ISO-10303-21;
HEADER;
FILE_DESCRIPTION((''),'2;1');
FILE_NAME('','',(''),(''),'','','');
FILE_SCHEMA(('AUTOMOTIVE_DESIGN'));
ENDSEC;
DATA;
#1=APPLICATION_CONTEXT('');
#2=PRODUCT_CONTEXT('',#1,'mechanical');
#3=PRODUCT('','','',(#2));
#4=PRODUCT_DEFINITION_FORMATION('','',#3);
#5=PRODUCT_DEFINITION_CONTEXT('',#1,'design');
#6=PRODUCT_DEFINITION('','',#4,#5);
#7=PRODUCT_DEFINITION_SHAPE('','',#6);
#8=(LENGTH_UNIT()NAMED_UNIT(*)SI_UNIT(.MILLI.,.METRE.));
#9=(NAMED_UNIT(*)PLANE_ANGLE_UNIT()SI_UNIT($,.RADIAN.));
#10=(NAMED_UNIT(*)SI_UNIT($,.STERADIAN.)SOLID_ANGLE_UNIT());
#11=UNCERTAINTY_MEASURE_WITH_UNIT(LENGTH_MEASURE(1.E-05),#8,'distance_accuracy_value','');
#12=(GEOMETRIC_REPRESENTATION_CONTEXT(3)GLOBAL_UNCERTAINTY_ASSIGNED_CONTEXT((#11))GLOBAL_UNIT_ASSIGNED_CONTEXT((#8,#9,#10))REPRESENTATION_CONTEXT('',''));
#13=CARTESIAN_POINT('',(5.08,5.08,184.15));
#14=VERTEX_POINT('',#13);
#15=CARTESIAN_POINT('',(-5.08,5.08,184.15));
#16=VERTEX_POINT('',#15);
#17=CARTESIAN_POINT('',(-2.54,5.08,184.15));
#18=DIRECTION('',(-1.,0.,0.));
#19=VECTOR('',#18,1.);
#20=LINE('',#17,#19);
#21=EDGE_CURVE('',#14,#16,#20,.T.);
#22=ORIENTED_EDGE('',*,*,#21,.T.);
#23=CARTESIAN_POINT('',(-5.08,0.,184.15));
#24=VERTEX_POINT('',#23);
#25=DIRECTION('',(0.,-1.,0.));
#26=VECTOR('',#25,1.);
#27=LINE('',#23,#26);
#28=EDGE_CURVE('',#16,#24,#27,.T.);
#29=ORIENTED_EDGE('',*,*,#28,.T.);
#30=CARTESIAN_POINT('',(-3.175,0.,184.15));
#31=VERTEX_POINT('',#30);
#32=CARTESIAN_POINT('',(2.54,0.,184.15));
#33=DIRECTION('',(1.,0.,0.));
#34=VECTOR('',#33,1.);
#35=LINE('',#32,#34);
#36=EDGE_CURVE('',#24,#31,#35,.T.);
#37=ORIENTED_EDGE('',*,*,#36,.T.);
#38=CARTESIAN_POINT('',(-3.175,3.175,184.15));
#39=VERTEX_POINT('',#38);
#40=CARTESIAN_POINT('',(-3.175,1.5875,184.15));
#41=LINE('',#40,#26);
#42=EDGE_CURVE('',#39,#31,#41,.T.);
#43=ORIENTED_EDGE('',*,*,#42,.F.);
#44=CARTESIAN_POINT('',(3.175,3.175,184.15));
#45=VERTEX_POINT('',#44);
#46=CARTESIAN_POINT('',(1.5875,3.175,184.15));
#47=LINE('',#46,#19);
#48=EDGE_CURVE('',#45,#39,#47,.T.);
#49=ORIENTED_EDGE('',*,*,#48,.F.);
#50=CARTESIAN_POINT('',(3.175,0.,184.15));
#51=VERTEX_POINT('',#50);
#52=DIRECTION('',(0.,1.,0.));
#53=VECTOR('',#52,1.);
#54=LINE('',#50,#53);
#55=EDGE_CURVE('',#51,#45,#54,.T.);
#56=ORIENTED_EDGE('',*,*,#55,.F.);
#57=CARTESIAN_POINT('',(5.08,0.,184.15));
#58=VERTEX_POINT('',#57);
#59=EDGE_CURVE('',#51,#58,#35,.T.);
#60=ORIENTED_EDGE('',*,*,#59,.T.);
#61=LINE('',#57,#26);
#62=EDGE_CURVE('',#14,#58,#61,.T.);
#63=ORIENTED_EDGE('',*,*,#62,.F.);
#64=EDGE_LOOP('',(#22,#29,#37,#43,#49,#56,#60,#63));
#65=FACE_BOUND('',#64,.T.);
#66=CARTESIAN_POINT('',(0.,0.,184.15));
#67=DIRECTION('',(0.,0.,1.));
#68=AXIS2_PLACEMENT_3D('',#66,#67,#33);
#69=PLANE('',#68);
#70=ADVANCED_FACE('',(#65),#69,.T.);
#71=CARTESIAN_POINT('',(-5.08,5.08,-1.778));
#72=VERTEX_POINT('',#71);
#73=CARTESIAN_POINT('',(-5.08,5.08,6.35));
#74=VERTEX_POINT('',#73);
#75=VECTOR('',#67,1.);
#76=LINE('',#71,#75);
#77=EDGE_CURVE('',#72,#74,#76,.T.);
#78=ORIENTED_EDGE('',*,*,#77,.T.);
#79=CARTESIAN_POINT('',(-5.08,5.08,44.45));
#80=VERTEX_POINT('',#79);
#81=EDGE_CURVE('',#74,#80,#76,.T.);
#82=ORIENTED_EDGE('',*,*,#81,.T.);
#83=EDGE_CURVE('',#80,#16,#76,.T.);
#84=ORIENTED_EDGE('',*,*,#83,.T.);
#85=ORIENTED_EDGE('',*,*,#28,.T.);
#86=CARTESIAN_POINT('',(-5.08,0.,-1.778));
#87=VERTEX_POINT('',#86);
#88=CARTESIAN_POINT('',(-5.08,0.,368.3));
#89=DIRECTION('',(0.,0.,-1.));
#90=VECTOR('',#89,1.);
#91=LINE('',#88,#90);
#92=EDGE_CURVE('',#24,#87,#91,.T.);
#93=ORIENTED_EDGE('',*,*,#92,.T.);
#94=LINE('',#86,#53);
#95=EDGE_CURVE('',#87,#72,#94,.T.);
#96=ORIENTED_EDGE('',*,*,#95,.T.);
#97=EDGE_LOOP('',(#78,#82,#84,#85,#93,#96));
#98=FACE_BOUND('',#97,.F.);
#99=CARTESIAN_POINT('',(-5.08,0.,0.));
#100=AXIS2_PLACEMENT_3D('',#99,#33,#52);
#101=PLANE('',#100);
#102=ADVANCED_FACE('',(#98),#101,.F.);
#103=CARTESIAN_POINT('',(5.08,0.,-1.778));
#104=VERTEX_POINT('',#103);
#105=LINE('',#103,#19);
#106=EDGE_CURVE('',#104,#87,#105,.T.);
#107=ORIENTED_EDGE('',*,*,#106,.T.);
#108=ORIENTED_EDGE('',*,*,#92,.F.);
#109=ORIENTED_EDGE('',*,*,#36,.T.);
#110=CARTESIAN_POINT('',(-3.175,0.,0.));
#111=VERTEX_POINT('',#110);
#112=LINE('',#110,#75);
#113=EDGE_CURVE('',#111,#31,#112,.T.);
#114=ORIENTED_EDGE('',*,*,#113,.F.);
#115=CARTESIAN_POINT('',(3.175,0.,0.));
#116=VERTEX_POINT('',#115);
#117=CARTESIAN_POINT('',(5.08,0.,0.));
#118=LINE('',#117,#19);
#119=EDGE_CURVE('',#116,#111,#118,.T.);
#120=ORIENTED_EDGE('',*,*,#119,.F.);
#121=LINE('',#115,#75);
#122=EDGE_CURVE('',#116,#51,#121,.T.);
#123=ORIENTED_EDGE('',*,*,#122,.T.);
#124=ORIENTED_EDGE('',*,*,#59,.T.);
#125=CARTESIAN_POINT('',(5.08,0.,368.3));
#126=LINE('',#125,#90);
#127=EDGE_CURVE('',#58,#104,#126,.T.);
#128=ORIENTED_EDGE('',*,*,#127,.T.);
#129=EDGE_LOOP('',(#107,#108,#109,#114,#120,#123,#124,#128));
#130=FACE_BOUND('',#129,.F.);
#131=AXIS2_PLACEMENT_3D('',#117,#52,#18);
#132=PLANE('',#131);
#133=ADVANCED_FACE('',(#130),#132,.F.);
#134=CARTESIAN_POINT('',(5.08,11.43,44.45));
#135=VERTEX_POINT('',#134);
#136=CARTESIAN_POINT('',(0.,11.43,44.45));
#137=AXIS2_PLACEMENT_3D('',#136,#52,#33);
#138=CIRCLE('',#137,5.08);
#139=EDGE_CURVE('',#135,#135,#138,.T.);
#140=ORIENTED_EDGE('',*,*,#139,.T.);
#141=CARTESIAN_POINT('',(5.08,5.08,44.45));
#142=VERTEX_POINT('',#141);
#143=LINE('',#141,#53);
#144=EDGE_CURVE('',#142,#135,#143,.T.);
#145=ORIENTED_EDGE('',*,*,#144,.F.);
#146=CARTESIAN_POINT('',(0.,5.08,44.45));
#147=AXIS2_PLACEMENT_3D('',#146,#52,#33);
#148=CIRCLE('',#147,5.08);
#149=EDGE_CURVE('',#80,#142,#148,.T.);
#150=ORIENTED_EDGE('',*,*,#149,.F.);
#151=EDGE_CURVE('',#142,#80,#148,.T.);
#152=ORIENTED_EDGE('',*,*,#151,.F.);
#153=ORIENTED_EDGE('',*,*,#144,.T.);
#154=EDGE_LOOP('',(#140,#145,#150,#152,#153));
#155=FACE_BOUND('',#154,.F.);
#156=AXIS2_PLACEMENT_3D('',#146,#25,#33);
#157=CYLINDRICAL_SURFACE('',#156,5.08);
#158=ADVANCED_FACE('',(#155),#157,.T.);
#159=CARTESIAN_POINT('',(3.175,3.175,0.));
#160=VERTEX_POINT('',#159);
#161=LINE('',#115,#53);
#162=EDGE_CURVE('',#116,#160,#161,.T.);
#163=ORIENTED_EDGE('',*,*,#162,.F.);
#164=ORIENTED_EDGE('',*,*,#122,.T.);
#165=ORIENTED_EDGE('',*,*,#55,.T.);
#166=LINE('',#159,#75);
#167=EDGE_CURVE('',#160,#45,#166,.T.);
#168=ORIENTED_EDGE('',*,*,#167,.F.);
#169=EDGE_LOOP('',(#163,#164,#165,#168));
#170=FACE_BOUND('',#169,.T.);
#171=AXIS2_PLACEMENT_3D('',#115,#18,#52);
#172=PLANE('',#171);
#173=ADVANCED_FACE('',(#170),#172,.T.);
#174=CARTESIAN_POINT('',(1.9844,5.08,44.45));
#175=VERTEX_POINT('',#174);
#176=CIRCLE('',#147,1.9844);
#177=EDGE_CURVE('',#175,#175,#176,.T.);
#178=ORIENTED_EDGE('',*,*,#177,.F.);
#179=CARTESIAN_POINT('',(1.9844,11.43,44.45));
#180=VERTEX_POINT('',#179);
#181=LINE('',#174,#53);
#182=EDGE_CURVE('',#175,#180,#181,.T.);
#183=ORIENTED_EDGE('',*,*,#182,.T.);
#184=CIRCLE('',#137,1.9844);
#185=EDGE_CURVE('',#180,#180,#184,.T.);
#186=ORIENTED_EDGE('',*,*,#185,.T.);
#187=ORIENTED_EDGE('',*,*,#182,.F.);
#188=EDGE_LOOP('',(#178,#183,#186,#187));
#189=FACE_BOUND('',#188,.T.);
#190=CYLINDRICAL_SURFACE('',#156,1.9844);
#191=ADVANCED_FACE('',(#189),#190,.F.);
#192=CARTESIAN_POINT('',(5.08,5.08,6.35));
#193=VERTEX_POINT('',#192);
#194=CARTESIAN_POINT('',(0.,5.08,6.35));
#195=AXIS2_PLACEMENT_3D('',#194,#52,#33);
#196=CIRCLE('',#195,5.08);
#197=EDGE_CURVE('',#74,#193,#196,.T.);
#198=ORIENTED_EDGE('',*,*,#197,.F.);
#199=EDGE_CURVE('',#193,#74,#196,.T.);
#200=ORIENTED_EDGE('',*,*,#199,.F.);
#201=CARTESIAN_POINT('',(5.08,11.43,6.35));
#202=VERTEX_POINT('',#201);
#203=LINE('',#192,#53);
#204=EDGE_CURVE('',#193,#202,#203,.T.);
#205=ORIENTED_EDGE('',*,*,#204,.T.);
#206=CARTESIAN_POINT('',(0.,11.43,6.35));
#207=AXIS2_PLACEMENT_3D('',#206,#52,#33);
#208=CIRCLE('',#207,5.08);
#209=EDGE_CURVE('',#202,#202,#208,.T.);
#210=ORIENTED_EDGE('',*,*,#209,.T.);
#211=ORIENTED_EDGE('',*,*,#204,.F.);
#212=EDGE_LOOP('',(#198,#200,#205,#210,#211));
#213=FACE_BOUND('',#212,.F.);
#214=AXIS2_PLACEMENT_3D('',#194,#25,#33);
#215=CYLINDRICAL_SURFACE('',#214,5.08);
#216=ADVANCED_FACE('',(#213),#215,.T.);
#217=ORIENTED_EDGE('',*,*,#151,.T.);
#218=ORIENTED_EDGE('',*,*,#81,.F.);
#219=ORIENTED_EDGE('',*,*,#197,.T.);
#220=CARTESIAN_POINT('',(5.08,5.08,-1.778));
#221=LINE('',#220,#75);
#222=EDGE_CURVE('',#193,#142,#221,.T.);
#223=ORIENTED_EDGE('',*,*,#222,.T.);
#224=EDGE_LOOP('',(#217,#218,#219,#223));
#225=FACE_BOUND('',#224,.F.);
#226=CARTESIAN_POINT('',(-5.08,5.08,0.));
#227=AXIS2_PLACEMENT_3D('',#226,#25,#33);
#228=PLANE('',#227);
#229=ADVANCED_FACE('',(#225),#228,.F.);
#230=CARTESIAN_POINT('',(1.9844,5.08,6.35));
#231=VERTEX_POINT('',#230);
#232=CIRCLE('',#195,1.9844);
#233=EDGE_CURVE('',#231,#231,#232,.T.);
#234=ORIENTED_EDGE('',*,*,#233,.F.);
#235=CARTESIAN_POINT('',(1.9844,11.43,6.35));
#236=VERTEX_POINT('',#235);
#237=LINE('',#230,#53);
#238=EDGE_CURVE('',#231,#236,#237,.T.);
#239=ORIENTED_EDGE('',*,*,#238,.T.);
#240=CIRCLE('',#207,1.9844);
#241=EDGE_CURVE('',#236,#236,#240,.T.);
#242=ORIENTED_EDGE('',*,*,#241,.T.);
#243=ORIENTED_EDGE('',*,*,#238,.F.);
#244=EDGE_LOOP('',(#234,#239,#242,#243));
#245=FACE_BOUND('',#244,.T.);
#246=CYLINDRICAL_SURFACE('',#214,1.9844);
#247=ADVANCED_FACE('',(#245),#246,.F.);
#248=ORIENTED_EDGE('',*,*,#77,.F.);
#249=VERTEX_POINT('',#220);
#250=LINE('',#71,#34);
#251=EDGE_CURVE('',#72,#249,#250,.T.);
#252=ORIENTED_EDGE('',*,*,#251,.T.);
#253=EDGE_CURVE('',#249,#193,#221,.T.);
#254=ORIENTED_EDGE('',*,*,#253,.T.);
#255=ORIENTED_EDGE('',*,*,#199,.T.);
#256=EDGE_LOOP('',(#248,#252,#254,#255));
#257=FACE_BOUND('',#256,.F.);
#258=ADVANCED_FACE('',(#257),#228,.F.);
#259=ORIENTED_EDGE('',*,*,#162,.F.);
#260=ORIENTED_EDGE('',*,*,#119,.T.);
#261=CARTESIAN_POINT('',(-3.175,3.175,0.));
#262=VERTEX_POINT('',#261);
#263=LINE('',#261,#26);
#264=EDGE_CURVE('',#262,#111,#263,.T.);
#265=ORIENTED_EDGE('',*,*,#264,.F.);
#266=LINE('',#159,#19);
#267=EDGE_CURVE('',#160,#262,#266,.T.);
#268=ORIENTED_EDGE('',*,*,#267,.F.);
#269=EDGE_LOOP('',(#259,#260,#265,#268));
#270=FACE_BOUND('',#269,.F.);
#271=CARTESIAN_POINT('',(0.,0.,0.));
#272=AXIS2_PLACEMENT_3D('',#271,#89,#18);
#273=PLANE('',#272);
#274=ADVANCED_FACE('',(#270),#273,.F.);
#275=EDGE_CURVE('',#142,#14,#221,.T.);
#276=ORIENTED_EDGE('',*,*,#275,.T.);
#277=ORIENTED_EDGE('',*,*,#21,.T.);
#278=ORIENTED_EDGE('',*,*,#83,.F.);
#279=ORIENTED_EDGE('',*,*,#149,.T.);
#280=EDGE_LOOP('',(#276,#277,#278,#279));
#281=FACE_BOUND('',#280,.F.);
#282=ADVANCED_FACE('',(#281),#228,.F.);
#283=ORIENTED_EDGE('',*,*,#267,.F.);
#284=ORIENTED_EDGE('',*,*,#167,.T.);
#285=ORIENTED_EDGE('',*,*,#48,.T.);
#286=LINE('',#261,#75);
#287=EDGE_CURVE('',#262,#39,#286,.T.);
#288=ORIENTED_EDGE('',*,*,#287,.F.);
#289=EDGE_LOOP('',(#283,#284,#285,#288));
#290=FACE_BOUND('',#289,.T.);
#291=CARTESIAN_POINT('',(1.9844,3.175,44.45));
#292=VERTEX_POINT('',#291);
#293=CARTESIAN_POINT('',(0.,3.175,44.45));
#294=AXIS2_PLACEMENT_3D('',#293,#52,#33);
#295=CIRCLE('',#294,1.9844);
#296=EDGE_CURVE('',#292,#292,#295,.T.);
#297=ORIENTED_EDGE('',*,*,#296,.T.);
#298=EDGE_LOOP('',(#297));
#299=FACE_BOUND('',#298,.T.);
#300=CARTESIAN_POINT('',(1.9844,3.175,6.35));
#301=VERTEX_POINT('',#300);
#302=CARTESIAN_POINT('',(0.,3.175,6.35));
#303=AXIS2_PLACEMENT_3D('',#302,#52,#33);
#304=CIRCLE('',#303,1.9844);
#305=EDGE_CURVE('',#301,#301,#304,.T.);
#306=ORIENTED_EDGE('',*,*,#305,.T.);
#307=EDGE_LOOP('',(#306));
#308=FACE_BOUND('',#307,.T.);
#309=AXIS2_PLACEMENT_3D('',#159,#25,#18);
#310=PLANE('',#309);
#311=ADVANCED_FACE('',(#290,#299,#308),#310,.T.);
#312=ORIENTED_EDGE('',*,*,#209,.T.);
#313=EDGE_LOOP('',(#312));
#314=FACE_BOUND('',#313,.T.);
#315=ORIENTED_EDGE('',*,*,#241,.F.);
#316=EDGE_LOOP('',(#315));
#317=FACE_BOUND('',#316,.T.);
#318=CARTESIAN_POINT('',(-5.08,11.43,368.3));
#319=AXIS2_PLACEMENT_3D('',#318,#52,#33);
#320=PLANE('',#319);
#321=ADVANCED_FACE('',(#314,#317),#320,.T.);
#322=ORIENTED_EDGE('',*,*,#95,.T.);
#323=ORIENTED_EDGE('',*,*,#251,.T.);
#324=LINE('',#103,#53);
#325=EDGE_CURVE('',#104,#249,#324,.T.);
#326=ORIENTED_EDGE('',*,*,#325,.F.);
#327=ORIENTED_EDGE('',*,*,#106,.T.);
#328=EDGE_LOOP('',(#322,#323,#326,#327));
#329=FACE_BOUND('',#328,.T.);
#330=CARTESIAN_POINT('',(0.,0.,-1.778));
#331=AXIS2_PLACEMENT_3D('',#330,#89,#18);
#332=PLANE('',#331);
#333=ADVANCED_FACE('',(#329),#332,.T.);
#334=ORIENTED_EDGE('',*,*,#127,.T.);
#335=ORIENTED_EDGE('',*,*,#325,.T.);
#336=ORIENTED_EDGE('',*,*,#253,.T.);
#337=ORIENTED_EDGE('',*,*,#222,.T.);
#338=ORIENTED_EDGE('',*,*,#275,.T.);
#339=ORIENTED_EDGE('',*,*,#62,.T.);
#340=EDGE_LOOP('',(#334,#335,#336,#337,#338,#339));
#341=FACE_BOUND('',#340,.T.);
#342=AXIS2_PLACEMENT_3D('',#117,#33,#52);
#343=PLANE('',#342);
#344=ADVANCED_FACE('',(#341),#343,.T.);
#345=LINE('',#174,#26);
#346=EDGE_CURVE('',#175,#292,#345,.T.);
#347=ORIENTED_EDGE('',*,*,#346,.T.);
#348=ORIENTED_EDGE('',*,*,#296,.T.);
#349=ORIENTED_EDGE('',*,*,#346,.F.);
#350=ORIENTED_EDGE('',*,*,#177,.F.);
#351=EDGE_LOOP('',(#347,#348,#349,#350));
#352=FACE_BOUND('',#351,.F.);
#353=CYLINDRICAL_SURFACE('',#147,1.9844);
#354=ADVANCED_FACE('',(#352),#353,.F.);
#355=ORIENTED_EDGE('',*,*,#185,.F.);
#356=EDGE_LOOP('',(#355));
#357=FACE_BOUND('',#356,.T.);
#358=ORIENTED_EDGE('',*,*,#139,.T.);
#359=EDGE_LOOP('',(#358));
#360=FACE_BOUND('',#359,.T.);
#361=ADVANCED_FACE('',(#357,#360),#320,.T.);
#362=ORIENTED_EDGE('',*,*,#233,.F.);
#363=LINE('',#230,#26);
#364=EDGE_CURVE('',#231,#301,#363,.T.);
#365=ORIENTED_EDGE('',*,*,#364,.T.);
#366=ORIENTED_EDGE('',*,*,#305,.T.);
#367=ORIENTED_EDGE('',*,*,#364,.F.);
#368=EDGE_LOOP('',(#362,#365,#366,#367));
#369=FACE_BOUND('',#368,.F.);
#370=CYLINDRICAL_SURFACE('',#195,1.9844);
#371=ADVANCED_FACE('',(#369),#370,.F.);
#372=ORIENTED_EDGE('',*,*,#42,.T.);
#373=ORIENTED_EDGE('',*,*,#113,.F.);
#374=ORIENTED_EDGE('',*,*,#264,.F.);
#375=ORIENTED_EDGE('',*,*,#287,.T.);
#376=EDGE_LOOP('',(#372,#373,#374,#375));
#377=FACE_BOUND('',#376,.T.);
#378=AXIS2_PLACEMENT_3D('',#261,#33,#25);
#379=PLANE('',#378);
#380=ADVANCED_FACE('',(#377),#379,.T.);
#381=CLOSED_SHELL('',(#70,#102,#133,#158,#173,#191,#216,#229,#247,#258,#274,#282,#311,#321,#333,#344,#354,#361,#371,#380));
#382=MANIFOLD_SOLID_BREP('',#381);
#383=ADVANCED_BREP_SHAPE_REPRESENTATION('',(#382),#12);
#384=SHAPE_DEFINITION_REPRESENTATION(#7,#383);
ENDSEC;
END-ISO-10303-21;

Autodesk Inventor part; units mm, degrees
ref_plane "YZ Plane" through (0, 0, 0) normal (1, 0, 0) x (0, 1, 0)
ref_plane "XZ Plane" through (0, 0, 0) normal (0, 1, 0) x (-1, 0, 0)
ref_plane "XY Plane" through (0, 0, 0) normal (0, 0, 1) x (1, 0, 0)
sketch "Sketch1" plane through (0, 0, 0) normal (0, 0, 1) x (1, 0, 0)
  line L0 (3.175, 0) -> (3.175, 3.175)
  line L1 (3.175, 3.175) -> (-3.175, 3.175)
  line L2 (-3.175, 3.175) -> (-3.175, 0)
  line L3 (-5.08, 0) -> (-5.08, 5.08)
  line L4 (-5.08, 5.08) -> (5.08, 5.08)
  line L5 (5.08, 5.08) -> (5.08, 0)
  line L6 (5.08, 0) -> (3.175, 0)
  line L7 (-3.175, 0) -> (-5.08, 0)
  point P0 (0, 0)
  dimension "d0" = 10.16
  dimension "d1" = 5.08
extrude "Extrusion1" add sketch "Sketch1" along normal blind 368.3
sketch "Sketch2" plane through (-5.08, 5.08, 0) normal (0, 1, 0) x (1, 0, 0)
  circle A0 centre (5.08, -6.35) radius 1.9844
  circle A1 centre (5.08, -44.45) radius 1.9844
  circle A2 centre (5.08, -361.95) radius 1.9844
  circle A3 centre (5.08, -323.85) radius 1.9844
  point P0 (5.08, 0)
  dimension "d4" = 3.9688
  dimension "d5" = 3.9688
  dimension "d6" = 3.9688
  dimension "d7" = 3.9688
extrude "Extrusion2" cut sketch "Sketch2" against normal blind 368.3
sketch "Sketch3" plane through (0, 0, 0) normal (0, 0, -1) x (-1, 0, 0)
  line L0 (-5.08, 0) -> (-5.08, 5.08) projected
  line L1 (5.08, 5.08) -> (-5.08, 5.08)
  line L2 (-5.08, 5.08) -> (-5.08, 0)
  line L3 (-5.08, 0) -> (5.08, 0)
  line L4 (5.08, 0) -> (5.08, 5.08)
  point P0 (0, 0)
sketch "Sketch4" plane through (0, 0, 0) normal (0, 0, -1) x (-1, 0, 0)
  point P0 (0, 0)
extrude "Extrusion3" add sketch "Sketch3" along normal blind 1.778
sketch "Sketch5" plane through (-5.08, 5.08, 368.3) normal (0, 1, 0) x (1, 0, 0)
  circle A0 centre (5.08, 6.35) radius 1.9844 projected
  circle A1 centre (5.08, 44.45) radius 1.9844 projected
  circle A2 centre (5.08, 323.85) radius 1.9844 projected
  circle A3 centre (5.08, 361.95) radius 1.9844 projected
  circle A4 centre (5.08, 6.35) radius 5.08
  line L0 (10.16, 0) -> (10.16, 370.078) projected
  circle A5 centre (5.08, 44.45) radius 5.08
  circle A6 centre (5.08, 323.85) radius 5.08
  circle A7 centre (5.08, 361.95) radius 5.08
  point P0 (5.08, 368.3)
extrude "Extrusion4" add sketch "Sketch5" along normal blind 6.35
sketch "Sketch6" plane through (0, 0, 368.3) normal (0, 0, 1) x (1, 0, 0)
  line L0 (-15.875, -1.5875) -> (12.7, -1.5875)
  line L1 (12.7, -1.5875) -> (12.7, 14.2875)
  line L2 (12.7, 14.2875) -> (-15.875, 14.2875)
  line L3 (-15.875, 14.2875) -> (-15.875, -1.5875)
  point P0 (0, 0)
extrude "Extrusion5" cut sketch "Sketch6" against normal blind 184.15
properties part number "hs_intake_cb_jig_second"
